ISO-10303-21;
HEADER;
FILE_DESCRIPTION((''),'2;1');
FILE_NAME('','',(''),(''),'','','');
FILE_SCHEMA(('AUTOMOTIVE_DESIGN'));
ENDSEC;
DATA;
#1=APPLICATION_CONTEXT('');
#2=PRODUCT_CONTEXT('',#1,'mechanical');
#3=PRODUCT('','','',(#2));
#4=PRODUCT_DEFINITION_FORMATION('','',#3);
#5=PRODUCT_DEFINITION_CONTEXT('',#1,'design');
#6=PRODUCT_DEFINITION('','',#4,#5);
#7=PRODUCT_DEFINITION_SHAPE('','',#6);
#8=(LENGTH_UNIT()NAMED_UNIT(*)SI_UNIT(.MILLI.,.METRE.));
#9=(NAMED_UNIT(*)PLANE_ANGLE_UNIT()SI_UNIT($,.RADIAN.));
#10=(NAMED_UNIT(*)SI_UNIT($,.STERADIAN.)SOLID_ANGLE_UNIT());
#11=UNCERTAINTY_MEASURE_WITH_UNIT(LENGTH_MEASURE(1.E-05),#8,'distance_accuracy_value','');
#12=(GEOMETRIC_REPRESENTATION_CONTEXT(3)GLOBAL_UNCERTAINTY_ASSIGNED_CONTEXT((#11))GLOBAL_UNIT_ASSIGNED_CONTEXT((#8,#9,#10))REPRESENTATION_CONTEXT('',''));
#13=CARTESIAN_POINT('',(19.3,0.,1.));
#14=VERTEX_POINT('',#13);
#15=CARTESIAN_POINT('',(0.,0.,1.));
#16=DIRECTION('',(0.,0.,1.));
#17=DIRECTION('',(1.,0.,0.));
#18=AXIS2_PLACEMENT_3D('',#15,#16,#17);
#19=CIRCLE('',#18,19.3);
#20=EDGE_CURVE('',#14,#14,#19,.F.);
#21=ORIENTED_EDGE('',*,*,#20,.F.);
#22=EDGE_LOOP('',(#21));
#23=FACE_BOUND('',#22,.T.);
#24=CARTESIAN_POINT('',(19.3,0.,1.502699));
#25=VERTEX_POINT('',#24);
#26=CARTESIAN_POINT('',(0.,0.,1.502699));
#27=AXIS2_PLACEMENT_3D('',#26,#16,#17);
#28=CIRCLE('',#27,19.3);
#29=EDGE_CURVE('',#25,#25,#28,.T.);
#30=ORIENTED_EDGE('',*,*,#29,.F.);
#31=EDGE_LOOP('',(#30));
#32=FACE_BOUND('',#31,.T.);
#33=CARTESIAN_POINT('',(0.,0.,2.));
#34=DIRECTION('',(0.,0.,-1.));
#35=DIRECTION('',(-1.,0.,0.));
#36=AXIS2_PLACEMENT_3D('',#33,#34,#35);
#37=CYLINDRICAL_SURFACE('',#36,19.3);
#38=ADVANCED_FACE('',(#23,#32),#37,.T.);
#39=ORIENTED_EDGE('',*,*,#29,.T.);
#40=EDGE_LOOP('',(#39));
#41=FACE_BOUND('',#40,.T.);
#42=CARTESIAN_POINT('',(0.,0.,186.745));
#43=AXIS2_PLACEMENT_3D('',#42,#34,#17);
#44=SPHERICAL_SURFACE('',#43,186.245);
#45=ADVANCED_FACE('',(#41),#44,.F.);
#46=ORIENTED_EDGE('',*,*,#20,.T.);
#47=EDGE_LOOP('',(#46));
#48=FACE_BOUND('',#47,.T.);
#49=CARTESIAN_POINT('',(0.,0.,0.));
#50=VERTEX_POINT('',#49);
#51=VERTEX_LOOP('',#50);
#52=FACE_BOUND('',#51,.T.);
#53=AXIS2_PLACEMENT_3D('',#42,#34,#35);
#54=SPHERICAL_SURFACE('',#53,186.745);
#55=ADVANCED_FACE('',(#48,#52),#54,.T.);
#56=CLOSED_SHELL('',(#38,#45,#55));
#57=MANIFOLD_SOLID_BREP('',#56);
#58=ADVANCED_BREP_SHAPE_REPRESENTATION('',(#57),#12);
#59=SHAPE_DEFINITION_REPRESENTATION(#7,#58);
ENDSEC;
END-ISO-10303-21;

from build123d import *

# Parameters (mm, degrees)
SKETCH1_R           = 19.3
BOSS_EXTRUDE1_DEPTH = 2


with BuildPart() as part:
    # Sketch1 → Boss-Extrude1 (new body)
    with BuildSketch(Plane.XY):
        Circle(SKETCH1_R)
    extrude(amount=BOSS_EXTRUDE1_DEPTH)

    # Sketch2 → Cut-Revolve1 (revolve, cut)
    with BuildSketch(Plane(origin=(0, 0, 0), x_dir=(1, 0, 0), z_dir=(0, 1, 0))):
        with BuildLine():
            Line((20.341497367, -1.11117089), (20.341497367, 2.053240221))
            Line((20.341497367, 2.053240221), (0, 2.27173347))
            Line((0, 2.27173347), (0, 0))
            ThreePointArc((0, 0), (10.185912034, -0.277999646), (20.341497367, -1.11117089))
        make_face()
        with BuildLine():
            Line((0, -0.5), (0, -3.774302912))
            Line((0, -3.774302912), (20.278222945, -3.774302912))
            Line((20.278222945, -3.774302912), (20.287034069, -1.608195788))
            ThreePointArc((20.287034069, -1.608195788), (10.158639786, -0.777255316), (0, -0.5))
        make_face()
    revolve(axis=Axis((0, 0, -2.27173347), (0, 0, 1)), mode=Mode.SUBTRACT)


solid = part.part
